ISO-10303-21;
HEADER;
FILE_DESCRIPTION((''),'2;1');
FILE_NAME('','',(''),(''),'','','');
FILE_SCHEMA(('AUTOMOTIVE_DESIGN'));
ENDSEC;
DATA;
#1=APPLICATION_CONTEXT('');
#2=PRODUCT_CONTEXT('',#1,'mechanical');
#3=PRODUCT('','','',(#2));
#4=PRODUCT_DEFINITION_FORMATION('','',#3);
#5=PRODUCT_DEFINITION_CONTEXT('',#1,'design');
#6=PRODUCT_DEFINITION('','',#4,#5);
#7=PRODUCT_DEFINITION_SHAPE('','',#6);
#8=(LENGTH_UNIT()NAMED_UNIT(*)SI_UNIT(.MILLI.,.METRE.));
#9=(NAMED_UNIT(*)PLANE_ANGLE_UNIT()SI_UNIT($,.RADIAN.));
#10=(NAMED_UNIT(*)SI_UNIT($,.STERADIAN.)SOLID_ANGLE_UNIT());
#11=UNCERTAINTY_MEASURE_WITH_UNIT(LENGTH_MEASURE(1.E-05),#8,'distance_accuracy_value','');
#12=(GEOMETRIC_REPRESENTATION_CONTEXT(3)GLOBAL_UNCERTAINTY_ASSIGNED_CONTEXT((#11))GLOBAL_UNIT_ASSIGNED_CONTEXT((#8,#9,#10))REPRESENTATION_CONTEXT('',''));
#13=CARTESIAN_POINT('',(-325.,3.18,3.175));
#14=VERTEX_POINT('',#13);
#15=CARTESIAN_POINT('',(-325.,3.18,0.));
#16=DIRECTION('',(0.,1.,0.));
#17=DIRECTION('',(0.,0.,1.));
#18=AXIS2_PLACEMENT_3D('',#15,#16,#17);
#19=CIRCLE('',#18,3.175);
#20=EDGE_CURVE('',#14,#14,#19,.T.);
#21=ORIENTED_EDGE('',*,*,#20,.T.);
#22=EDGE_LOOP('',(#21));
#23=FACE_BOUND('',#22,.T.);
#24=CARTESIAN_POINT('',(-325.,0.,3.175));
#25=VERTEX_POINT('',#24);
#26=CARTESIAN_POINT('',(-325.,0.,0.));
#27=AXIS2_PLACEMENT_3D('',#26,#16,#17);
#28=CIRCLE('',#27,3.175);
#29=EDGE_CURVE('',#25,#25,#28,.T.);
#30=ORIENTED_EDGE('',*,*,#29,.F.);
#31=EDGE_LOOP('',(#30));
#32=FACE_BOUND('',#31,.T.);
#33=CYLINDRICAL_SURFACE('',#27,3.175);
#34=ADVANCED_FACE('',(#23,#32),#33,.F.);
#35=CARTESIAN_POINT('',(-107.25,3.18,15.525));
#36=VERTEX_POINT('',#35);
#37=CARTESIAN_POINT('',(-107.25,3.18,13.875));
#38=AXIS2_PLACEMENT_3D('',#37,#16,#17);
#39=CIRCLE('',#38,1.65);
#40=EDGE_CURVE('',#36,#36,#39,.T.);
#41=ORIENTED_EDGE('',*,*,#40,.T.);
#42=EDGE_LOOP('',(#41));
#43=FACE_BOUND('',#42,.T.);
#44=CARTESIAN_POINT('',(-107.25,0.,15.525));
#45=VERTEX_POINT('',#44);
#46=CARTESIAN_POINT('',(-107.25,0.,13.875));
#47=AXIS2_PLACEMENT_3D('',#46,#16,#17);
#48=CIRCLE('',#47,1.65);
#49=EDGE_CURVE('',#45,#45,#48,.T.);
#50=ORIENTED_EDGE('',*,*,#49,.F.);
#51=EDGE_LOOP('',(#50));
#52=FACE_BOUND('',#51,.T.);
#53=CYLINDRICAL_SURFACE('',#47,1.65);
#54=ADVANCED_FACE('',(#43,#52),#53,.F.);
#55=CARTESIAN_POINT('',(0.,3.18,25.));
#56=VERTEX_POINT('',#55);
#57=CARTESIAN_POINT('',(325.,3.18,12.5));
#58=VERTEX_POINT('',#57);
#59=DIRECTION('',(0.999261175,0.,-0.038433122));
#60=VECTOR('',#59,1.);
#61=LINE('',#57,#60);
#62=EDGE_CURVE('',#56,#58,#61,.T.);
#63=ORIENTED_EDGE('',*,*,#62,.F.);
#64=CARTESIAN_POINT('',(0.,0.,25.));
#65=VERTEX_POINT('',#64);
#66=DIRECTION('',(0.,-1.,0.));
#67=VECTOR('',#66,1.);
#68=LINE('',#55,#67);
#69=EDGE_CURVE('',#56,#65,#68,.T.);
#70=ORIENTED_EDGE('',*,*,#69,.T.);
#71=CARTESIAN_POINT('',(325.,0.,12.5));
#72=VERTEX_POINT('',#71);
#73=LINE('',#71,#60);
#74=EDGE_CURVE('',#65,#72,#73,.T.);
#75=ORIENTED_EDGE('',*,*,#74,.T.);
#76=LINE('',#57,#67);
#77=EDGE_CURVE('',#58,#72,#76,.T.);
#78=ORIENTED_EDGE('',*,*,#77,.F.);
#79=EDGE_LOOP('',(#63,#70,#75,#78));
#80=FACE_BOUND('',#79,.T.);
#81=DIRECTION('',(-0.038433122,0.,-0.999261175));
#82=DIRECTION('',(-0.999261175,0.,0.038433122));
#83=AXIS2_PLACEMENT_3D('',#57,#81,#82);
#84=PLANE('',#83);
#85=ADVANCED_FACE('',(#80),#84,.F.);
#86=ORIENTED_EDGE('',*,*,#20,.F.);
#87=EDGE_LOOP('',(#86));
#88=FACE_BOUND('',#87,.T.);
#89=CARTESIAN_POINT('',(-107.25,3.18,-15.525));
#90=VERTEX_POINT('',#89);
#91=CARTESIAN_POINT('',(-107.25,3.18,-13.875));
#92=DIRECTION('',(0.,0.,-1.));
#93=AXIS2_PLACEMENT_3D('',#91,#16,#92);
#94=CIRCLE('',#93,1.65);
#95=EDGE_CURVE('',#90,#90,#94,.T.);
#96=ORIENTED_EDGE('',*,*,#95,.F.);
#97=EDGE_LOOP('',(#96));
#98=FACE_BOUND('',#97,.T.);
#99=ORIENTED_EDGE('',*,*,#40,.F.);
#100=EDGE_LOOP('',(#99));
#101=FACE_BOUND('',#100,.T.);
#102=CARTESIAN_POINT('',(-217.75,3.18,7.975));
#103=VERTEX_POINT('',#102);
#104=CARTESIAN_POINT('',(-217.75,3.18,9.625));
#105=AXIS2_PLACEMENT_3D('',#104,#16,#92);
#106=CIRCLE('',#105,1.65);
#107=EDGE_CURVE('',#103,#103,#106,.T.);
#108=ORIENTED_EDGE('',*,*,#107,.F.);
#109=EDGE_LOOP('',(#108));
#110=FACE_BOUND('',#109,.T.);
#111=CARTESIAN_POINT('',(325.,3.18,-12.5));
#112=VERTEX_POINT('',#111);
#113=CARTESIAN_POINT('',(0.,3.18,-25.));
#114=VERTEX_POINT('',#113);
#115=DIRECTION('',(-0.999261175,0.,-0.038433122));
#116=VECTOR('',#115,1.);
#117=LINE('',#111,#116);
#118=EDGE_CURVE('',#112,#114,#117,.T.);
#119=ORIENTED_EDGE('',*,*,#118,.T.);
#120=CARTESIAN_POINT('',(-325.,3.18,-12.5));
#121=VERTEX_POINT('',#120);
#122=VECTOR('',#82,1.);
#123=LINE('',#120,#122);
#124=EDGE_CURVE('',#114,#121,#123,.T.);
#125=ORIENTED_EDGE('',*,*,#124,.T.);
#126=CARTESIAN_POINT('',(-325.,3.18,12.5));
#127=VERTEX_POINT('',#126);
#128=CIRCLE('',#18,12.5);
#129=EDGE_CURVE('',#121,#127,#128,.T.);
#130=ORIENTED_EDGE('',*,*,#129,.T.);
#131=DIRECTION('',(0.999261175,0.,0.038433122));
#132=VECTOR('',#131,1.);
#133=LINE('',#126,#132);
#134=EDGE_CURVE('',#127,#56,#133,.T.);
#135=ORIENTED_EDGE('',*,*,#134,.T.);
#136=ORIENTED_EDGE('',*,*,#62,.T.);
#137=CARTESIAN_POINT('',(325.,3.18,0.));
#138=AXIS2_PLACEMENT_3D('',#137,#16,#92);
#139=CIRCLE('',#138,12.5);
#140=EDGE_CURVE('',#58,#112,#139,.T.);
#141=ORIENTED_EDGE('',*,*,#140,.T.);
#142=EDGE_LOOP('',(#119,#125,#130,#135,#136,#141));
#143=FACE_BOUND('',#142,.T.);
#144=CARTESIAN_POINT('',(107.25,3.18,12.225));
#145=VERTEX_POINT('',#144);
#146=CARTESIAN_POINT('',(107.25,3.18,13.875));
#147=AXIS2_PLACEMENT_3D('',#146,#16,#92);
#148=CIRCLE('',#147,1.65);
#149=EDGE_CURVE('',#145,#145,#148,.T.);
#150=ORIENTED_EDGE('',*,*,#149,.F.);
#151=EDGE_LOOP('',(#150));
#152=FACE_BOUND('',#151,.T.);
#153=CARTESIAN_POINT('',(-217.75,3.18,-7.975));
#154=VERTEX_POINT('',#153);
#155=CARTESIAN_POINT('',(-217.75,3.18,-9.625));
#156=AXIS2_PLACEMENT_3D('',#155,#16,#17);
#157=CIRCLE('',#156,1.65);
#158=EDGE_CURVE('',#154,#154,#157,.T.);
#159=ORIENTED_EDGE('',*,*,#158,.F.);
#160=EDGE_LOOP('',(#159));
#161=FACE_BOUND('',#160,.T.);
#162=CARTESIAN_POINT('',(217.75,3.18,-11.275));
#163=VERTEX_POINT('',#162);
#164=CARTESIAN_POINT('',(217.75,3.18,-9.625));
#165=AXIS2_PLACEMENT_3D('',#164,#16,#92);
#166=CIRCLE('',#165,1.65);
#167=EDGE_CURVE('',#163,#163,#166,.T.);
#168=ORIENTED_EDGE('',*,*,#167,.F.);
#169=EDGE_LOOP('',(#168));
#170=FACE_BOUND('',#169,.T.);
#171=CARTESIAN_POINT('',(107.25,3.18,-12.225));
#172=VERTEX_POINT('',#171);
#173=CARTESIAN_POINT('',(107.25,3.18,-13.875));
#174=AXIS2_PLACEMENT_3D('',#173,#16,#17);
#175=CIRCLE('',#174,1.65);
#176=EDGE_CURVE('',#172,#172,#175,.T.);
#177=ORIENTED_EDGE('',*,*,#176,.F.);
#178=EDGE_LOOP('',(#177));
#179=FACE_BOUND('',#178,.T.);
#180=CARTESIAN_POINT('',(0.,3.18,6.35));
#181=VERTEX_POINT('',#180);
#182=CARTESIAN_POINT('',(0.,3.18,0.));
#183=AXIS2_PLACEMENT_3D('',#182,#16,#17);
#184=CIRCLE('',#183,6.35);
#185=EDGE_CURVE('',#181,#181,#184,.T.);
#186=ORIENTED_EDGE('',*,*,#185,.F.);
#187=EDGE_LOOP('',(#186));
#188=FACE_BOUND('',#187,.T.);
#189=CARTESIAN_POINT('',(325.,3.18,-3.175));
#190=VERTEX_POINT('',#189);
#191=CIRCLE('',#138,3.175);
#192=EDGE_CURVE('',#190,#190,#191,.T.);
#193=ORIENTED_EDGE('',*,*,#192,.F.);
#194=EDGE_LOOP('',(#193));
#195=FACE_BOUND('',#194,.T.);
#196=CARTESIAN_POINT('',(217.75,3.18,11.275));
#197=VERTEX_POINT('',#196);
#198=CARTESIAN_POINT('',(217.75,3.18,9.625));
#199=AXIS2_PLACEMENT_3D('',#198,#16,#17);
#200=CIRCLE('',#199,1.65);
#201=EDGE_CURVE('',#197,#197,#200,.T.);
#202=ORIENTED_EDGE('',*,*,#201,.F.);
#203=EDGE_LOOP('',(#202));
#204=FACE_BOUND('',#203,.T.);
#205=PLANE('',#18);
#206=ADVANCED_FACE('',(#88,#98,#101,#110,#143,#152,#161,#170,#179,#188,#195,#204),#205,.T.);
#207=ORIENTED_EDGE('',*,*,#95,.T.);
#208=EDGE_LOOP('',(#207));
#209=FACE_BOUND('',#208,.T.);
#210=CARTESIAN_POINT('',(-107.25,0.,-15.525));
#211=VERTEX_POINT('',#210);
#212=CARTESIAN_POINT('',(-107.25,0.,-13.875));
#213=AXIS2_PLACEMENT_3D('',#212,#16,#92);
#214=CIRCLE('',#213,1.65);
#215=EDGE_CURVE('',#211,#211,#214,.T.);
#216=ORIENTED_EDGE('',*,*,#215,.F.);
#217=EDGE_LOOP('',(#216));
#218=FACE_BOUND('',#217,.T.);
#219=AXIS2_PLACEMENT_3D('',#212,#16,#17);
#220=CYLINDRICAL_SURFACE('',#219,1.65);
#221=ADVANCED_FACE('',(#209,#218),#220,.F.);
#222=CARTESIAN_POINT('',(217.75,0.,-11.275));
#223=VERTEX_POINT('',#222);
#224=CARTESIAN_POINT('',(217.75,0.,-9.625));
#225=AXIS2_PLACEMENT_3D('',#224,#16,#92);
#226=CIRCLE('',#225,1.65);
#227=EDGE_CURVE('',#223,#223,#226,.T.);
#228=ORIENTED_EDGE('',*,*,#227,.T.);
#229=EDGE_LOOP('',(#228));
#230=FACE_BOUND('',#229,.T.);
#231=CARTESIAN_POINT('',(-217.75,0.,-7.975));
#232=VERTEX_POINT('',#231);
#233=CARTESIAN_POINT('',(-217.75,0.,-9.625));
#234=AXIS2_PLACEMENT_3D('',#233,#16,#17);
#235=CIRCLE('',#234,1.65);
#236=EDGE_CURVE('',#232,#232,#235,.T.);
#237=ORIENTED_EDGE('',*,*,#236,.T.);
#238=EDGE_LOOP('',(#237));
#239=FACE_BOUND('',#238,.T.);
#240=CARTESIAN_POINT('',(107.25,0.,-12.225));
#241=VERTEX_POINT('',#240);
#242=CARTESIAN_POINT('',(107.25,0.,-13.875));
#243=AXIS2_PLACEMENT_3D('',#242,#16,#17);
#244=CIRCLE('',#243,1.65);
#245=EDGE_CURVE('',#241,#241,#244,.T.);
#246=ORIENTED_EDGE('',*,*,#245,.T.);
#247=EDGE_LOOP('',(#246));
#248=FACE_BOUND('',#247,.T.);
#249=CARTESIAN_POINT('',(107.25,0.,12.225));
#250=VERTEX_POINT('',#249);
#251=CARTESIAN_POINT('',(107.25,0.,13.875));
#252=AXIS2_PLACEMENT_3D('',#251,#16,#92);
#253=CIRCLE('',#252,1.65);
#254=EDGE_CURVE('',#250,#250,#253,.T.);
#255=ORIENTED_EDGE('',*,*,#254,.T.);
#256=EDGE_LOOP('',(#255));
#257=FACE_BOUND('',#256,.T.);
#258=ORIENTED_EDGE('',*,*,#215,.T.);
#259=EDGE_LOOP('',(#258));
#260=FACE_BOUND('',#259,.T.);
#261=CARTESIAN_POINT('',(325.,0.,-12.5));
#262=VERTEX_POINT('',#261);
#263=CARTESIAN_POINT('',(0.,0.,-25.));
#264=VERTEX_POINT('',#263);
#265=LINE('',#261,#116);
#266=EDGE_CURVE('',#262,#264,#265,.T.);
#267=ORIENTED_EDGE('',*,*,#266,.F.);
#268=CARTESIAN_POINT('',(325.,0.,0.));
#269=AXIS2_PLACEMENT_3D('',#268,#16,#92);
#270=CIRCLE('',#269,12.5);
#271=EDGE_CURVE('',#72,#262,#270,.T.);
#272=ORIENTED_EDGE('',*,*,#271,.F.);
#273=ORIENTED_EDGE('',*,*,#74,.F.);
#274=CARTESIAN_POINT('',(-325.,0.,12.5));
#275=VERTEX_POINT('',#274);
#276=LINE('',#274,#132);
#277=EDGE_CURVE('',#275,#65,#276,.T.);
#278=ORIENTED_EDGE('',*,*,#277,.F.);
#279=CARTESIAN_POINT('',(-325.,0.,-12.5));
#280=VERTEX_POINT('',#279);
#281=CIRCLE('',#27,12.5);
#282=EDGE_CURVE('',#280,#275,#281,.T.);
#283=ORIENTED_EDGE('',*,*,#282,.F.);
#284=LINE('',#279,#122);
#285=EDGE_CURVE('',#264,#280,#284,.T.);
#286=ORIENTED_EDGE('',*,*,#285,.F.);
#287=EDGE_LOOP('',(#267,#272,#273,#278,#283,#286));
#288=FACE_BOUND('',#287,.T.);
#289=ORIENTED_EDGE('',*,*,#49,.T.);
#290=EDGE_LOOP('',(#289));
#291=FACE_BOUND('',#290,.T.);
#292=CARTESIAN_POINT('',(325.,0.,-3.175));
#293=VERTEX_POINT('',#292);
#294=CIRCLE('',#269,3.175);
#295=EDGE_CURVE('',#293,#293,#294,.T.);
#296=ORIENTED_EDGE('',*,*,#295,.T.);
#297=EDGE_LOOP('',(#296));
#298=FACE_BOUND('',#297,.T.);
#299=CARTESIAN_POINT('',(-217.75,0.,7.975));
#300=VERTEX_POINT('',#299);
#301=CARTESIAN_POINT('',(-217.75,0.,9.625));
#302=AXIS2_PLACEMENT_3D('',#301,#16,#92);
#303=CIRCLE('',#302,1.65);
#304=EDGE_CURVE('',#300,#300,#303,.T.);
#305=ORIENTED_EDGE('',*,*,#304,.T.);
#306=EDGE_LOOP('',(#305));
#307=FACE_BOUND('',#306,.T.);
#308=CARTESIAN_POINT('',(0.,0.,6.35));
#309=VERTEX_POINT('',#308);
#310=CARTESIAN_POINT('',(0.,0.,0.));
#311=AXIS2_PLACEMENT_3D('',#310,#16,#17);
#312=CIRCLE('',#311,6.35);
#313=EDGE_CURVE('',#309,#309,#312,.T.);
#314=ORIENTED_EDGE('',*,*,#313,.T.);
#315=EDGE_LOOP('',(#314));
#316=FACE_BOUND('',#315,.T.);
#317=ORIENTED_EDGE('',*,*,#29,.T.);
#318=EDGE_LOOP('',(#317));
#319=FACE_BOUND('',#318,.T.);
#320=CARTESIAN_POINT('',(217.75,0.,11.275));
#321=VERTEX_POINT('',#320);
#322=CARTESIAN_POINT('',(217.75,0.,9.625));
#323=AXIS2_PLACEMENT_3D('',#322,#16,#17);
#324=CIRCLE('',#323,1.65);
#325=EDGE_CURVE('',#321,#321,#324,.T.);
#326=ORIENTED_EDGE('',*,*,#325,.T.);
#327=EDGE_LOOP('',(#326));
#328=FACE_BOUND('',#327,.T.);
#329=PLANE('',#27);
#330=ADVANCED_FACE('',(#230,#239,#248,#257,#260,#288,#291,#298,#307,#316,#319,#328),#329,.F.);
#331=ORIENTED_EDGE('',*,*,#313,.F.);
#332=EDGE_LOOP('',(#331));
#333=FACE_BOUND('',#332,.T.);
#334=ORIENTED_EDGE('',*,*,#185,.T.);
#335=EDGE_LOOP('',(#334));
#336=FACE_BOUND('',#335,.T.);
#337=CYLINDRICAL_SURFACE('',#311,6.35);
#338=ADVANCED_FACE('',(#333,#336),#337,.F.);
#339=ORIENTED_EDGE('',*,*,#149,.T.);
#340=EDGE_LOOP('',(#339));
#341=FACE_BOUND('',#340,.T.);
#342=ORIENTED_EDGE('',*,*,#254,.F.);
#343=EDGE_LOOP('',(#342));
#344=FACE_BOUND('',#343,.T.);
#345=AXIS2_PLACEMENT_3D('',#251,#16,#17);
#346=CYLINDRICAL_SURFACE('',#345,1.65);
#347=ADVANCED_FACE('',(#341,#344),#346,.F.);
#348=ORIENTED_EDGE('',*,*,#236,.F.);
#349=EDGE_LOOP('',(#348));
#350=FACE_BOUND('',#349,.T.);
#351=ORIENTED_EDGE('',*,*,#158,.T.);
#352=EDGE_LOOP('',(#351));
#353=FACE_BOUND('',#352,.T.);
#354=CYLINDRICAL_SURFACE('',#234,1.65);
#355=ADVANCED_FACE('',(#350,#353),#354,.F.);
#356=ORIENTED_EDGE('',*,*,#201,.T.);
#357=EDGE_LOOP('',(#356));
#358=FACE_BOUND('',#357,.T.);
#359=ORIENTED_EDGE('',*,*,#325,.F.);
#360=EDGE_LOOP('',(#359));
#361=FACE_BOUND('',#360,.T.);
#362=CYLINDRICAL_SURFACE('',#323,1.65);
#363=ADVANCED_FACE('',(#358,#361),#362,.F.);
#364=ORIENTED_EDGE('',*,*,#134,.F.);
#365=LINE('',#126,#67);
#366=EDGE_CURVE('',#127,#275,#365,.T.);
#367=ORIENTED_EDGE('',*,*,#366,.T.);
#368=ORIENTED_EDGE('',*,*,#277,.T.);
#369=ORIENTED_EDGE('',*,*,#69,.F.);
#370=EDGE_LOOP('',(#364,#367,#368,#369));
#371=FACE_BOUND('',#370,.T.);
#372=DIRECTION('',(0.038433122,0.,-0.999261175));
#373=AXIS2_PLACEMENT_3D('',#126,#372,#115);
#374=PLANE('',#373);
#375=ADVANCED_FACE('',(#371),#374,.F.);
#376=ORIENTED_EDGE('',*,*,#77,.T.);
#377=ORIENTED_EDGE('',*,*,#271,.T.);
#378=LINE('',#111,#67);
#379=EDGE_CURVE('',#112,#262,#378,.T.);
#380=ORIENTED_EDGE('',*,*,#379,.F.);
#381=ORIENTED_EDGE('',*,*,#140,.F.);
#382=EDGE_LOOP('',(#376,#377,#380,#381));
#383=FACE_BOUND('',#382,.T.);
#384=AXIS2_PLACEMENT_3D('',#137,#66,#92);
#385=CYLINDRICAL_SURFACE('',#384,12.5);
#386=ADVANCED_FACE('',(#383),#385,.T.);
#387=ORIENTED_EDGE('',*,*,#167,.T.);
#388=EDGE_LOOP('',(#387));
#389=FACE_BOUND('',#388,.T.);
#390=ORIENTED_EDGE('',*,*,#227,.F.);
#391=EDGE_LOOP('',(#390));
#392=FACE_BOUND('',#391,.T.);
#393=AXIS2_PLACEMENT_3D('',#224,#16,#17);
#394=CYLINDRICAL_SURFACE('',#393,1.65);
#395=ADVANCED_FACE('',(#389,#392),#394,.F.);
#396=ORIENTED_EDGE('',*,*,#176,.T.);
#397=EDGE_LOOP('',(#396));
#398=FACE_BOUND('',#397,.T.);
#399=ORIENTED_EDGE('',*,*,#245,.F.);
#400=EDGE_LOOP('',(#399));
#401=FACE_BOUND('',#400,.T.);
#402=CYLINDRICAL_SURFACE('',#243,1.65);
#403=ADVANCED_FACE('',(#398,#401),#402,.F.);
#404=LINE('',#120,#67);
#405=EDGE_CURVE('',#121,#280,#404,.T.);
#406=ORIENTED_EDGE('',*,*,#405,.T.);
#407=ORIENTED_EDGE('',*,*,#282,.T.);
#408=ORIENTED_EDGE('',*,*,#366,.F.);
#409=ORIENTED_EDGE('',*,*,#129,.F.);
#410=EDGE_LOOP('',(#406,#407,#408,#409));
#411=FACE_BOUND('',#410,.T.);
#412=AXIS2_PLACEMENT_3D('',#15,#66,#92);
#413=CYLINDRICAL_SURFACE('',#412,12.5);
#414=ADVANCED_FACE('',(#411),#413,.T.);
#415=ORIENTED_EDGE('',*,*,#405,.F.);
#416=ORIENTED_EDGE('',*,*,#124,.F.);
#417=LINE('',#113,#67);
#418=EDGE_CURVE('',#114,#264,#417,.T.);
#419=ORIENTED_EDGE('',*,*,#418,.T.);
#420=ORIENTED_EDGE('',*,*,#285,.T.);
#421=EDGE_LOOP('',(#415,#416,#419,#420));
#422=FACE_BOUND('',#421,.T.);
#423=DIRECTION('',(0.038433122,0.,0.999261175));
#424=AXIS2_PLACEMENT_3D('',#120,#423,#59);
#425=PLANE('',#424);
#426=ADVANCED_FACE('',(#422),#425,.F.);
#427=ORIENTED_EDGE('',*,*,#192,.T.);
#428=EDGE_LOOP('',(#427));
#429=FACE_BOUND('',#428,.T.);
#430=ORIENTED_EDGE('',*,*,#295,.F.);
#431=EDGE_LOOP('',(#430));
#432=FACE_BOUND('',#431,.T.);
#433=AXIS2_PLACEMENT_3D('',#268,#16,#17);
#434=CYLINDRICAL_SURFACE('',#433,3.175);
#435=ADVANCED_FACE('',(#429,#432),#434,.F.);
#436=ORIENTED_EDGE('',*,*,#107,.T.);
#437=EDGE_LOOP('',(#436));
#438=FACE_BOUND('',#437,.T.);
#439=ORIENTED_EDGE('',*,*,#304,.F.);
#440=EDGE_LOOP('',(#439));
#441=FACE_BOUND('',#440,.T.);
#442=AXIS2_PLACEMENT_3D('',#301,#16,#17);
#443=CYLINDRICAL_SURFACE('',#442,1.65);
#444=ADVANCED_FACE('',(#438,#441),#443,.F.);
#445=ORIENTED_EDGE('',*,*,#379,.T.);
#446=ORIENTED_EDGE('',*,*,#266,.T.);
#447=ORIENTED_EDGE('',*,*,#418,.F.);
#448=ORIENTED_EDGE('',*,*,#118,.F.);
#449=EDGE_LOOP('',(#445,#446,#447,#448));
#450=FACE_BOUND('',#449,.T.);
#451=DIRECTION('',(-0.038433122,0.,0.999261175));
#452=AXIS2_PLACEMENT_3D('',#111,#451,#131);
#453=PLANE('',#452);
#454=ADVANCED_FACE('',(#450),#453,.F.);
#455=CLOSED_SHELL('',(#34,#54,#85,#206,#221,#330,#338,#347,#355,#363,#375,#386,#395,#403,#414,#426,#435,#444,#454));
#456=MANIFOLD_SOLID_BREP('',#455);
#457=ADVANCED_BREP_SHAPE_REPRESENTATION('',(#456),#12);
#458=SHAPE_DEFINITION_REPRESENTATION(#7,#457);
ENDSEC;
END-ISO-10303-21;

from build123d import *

# Parameters (mm, degrees)
BOSS_EXTRUDE1_DEPTH = 3.18
SKETCH3_R           = 6.35
SKETCH3_R_2         = 3.175
SKETCH3_R_3         = 1.65
CUT_EXTRUDE1_DEPTH  = 4.18


with BuildPart() as part:
    # Sketch2 → Boss-Extrude1 (new body)
    with BuildSketch(Plane(origin=(0, 0, 0), x_dir=(1, 0, 0), z_dir=(0, 1, 0))):
        with BuildLine():
            Line((-325, 12.5), (0, 25))
            Line((0, 25), (325, 12.5))
            ThreePointArc((325, 12.5), (337.5, 0), (325, -12.5))
            Line((325, -12.5), (0, -25))
            Line((0, -25), (-325, -12.5))
            ThreePointArc((-325, -12.5), (-337.5, 0), (-325, 12.5))
        make_face()
    extrude(amount=BOSS_EXTRUDE1_DEPTH)

    # Sketch3 → Cut-Extrude1 (cut, through all)
    with BuildSketch(Plane(origin=(0, 3.18, 0), x_dir=(1, 0, 0), z_dir=(0, 1, 0))):
        Circle(SKETCH3_R)
        with Locations((-325, 0)):
            Circle(SKETCH3_R_2)
        with Locations((-217.75, 9.625)):
            Circle(SKETCH3_R_3)
        with Locations((-107.25, -13.875)):
            Circle(SKETCH3_R_3)
        with Locations((325, 0)):
            Circle(SKETCH3_R_2)
        with Locations((-107.25, 13.875)):
            Circle(SKETCH3_R_3)
        with Locations((-217.75, -9.625)):
            Circle(SKETCH3_R_3)
        with Locations((107.25, -13.875)):
            Circle(SKETCH3_R_3)
        with Locations((107.25, 13.875)):
            Circle(SKETCH3_R_3)
        with Locations((217.75, -9.625)):
            Circle(SKETCH3_R_3)
        with Locations((217.75, 9.625)):
            Circle(SKETCH3_R_3)
    extrude(amount=-CUT_EXTRUDE1_DEPTH, mode=Mode.SUBTRACT)


solid = part.part
